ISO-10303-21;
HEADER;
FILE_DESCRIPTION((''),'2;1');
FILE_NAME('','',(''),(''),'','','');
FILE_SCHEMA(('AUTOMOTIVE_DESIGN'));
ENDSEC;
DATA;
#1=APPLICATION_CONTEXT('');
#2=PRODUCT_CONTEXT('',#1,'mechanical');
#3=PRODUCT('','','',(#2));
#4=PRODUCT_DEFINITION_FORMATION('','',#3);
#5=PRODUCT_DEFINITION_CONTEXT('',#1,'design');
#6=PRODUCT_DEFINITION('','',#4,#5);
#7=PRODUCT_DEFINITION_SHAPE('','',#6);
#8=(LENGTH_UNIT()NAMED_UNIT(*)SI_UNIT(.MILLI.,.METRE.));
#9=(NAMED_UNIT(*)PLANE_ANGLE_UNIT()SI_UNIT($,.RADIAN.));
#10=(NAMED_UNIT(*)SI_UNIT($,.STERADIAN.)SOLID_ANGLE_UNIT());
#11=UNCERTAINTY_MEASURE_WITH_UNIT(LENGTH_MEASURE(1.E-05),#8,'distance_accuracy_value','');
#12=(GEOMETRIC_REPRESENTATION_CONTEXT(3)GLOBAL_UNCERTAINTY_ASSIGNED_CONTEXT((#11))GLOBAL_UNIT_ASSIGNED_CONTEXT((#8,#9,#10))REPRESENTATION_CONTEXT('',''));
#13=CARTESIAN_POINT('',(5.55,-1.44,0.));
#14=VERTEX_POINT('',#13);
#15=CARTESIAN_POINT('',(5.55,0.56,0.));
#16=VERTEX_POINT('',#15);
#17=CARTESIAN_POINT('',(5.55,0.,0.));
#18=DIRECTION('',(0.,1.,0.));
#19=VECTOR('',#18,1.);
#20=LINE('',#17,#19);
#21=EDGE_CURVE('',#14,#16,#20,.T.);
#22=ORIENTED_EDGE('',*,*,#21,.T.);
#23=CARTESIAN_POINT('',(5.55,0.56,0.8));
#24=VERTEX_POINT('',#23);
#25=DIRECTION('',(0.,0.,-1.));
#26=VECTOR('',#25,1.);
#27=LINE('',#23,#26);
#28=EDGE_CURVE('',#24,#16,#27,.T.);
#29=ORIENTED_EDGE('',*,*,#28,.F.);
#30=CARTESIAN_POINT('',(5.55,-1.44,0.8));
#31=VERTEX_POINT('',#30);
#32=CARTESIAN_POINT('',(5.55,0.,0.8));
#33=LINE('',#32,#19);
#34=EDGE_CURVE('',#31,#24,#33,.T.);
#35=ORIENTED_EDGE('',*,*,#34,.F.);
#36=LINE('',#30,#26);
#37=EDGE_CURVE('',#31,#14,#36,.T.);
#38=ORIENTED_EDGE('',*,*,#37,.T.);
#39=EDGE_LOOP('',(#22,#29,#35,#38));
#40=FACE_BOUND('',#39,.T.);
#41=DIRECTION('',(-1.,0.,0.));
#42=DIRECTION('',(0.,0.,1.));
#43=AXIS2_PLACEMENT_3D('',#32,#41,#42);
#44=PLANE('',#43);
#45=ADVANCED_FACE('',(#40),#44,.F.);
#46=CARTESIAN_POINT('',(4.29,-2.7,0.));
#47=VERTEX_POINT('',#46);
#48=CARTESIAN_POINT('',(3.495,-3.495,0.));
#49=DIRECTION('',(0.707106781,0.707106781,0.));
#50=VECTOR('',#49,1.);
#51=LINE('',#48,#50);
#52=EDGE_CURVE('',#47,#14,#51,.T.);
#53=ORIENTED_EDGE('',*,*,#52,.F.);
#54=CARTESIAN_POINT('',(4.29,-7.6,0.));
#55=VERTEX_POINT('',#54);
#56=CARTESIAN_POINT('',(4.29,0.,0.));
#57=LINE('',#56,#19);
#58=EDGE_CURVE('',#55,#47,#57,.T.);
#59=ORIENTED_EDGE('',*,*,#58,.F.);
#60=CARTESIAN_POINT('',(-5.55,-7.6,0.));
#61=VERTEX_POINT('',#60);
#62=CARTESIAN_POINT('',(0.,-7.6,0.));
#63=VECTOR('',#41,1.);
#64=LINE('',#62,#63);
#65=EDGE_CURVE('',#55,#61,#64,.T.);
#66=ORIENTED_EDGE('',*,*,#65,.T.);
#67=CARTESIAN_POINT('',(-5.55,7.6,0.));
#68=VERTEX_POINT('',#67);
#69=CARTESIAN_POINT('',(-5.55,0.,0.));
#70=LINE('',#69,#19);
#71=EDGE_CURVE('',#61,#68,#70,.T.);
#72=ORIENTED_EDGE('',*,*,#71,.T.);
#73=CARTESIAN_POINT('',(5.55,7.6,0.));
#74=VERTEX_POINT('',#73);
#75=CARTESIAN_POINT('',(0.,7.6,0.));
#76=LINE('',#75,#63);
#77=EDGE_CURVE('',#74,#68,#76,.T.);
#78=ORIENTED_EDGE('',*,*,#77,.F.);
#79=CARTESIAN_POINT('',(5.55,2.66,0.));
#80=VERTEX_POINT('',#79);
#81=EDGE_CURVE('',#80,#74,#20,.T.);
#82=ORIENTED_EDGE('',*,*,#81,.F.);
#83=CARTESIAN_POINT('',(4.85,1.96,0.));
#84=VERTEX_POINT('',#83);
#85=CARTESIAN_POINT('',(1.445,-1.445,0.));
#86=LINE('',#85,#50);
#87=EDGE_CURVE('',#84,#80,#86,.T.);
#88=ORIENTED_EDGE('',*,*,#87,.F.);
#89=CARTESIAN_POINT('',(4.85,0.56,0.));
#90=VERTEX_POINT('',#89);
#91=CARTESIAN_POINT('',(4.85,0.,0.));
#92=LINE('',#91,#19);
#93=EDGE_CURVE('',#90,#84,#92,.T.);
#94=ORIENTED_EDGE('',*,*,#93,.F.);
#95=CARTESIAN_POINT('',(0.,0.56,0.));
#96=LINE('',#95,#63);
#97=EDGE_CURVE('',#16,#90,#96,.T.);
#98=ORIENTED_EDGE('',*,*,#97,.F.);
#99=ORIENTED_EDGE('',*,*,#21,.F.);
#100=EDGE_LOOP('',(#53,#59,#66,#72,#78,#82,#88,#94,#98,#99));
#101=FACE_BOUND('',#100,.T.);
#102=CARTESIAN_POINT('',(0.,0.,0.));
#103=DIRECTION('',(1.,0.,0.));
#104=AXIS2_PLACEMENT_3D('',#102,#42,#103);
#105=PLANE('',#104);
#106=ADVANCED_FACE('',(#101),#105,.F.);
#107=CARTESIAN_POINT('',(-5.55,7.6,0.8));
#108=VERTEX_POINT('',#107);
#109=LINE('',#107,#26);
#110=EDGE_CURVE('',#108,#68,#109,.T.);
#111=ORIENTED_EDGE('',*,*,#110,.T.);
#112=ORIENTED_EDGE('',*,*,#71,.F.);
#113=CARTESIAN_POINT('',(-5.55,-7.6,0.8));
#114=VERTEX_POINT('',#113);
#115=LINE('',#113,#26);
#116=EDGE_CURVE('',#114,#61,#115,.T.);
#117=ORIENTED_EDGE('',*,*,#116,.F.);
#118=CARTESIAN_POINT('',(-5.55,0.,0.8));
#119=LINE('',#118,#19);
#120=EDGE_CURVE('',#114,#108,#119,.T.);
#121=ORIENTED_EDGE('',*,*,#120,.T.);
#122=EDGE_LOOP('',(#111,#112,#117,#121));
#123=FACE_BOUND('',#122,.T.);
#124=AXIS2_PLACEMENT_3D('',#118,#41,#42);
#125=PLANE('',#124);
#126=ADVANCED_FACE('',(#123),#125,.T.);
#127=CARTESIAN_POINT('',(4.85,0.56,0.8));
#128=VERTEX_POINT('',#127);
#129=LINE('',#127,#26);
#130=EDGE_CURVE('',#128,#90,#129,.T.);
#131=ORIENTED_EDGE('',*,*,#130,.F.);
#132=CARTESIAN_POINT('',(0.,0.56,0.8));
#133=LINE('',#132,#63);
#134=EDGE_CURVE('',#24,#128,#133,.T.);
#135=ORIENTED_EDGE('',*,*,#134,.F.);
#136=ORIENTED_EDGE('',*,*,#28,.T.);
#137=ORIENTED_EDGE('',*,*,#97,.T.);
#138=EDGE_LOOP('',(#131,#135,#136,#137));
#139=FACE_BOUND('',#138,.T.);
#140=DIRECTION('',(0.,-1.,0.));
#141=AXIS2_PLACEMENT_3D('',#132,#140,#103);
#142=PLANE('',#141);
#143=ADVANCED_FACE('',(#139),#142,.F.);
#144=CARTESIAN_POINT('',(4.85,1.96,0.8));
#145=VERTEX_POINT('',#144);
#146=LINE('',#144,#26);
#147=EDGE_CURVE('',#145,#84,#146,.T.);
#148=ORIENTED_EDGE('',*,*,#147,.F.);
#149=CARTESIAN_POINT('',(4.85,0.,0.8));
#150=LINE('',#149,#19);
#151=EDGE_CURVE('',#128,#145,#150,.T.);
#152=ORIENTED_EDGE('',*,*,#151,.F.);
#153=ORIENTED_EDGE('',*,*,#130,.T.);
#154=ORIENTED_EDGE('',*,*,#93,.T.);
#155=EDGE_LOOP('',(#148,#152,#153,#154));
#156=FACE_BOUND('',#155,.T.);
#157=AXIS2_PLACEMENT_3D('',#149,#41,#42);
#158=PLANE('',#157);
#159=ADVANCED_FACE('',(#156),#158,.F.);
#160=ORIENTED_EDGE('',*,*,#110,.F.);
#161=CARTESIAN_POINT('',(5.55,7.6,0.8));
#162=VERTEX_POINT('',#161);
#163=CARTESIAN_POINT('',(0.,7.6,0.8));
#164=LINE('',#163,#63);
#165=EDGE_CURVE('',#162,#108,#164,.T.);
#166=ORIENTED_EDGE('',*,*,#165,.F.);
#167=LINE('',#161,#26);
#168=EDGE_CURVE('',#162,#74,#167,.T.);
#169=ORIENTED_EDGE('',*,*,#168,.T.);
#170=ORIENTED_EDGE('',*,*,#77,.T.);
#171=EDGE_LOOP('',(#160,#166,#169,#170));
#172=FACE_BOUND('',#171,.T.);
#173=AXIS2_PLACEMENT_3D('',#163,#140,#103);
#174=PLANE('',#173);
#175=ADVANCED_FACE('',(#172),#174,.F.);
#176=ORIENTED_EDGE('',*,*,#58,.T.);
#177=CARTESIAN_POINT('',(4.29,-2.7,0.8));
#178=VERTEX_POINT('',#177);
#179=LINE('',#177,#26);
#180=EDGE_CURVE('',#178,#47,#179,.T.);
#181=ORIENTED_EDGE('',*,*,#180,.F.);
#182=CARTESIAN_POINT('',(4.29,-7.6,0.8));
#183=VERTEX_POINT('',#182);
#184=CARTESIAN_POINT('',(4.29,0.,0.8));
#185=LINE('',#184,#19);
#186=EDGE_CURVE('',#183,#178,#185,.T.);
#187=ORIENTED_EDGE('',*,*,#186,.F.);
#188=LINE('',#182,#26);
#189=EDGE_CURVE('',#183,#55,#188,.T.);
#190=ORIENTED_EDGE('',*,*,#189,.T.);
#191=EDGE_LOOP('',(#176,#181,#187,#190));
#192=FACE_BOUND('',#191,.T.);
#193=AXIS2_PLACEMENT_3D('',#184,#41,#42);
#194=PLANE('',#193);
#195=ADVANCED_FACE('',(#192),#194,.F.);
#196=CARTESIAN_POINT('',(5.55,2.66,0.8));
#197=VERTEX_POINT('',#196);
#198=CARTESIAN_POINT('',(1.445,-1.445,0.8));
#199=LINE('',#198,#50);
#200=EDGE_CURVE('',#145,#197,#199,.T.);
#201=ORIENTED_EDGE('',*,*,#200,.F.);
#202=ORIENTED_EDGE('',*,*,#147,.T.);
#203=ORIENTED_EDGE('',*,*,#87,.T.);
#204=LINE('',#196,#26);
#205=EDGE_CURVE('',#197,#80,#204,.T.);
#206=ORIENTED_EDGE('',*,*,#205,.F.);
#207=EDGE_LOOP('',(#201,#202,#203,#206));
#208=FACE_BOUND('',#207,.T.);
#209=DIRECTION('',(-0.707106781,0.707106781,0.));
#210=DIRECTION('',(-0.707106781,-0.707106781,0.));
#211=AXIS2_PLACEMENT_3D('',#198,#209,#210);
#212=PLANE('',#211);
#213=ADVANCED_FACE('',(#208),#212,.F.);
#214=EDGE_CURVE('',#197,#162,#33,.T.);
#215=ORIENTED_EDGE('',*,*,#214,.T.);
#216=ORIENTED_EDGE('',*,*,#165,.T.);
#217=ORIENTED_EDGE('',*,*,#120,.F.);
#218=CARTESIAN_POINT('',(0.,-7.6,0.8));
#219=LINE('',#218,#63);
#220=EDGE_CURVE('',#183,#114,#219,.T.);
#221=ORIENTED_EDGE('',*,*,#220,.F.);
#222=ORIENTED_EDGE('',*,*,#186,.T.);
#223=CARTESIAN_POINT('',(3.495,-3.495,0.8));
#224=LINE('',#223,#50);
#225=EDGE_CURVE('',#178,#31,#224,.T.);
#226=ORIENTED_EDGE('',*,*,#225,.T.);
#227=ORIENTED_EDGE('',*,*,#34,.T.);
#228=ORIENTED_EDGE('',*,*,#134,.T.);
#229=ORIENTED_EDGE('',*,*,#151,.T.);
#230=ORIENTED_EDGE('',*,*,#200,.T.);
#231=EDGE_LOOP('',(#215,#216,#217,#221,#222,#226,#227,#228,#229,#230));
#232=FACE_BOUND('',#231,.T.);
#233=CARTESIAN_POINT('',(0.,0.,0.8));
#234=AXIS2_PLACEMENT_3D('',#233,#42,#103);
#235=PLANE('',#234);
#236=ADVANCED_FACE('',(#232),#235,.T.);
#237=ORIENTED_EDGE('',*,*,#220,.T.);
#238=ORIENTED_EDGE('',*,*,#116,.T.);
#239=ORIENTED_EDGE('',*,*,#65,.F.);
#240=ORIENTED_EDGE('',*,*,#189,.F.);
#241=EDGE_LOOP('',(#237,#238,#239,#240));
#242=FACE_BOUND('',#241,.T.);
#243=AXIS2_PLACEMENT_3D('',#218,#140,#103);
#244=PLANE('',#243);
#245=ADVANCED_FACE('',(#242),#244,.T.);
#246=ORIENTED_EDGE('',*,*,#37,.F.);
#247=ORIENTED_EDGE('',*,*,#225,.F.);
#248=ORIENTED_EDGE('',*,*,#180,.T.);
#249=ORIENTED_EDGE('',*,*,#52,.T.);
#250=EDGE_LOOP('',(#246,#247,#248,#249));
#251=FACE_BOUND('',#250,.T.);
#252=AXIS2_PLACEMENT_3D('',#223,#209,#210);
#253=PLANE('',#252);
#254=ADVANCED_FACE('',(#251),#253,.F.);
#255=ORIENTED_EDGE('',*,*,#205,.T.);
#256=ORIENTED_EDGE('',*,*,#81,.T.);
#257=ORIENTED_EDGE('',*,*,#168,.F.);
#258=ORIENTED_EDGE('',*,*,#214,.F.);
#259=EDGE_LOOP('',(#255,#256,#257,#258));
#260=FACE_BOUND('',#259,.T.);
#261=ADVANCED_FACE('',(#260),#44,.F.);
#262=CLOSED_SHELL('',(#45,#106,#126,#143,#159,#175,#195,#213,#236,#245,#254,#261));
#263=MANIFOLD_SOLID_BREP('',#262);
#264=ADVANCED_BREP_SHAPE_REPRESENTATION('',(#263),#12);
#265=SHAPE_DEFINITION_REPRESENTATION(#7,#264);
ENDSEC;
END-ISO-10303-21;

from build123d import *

# Parameters (mm, degrees)
CROQUIS1_W              = 9.84
CROQUIS1_H              = 4.9
SALIENTE_EXTRUIR1_DEPTH = 0.8


with BuildPart() as part:
    # Croquis1 → Saliente-Extruir1 (new body)
    with BuildSketch(Plane.XY):
        Polygon((-5.55, -2.7), (4.29, -2.7), (5.55, -1.44), (5.55, 0.56), (4.85, 0.56), (4.85, 1.96), (5.55, 2.66), (5.55, 7.6), (-5.55, 7.6), align=None)
        with Locations((-0.63, -5.15)):
            Rectangle(CROQUIS1_W, CROQUIS1_H)
    extrude(amount=SALIENTE_EXTRUIR1_DEPTH)


solid = part.part
